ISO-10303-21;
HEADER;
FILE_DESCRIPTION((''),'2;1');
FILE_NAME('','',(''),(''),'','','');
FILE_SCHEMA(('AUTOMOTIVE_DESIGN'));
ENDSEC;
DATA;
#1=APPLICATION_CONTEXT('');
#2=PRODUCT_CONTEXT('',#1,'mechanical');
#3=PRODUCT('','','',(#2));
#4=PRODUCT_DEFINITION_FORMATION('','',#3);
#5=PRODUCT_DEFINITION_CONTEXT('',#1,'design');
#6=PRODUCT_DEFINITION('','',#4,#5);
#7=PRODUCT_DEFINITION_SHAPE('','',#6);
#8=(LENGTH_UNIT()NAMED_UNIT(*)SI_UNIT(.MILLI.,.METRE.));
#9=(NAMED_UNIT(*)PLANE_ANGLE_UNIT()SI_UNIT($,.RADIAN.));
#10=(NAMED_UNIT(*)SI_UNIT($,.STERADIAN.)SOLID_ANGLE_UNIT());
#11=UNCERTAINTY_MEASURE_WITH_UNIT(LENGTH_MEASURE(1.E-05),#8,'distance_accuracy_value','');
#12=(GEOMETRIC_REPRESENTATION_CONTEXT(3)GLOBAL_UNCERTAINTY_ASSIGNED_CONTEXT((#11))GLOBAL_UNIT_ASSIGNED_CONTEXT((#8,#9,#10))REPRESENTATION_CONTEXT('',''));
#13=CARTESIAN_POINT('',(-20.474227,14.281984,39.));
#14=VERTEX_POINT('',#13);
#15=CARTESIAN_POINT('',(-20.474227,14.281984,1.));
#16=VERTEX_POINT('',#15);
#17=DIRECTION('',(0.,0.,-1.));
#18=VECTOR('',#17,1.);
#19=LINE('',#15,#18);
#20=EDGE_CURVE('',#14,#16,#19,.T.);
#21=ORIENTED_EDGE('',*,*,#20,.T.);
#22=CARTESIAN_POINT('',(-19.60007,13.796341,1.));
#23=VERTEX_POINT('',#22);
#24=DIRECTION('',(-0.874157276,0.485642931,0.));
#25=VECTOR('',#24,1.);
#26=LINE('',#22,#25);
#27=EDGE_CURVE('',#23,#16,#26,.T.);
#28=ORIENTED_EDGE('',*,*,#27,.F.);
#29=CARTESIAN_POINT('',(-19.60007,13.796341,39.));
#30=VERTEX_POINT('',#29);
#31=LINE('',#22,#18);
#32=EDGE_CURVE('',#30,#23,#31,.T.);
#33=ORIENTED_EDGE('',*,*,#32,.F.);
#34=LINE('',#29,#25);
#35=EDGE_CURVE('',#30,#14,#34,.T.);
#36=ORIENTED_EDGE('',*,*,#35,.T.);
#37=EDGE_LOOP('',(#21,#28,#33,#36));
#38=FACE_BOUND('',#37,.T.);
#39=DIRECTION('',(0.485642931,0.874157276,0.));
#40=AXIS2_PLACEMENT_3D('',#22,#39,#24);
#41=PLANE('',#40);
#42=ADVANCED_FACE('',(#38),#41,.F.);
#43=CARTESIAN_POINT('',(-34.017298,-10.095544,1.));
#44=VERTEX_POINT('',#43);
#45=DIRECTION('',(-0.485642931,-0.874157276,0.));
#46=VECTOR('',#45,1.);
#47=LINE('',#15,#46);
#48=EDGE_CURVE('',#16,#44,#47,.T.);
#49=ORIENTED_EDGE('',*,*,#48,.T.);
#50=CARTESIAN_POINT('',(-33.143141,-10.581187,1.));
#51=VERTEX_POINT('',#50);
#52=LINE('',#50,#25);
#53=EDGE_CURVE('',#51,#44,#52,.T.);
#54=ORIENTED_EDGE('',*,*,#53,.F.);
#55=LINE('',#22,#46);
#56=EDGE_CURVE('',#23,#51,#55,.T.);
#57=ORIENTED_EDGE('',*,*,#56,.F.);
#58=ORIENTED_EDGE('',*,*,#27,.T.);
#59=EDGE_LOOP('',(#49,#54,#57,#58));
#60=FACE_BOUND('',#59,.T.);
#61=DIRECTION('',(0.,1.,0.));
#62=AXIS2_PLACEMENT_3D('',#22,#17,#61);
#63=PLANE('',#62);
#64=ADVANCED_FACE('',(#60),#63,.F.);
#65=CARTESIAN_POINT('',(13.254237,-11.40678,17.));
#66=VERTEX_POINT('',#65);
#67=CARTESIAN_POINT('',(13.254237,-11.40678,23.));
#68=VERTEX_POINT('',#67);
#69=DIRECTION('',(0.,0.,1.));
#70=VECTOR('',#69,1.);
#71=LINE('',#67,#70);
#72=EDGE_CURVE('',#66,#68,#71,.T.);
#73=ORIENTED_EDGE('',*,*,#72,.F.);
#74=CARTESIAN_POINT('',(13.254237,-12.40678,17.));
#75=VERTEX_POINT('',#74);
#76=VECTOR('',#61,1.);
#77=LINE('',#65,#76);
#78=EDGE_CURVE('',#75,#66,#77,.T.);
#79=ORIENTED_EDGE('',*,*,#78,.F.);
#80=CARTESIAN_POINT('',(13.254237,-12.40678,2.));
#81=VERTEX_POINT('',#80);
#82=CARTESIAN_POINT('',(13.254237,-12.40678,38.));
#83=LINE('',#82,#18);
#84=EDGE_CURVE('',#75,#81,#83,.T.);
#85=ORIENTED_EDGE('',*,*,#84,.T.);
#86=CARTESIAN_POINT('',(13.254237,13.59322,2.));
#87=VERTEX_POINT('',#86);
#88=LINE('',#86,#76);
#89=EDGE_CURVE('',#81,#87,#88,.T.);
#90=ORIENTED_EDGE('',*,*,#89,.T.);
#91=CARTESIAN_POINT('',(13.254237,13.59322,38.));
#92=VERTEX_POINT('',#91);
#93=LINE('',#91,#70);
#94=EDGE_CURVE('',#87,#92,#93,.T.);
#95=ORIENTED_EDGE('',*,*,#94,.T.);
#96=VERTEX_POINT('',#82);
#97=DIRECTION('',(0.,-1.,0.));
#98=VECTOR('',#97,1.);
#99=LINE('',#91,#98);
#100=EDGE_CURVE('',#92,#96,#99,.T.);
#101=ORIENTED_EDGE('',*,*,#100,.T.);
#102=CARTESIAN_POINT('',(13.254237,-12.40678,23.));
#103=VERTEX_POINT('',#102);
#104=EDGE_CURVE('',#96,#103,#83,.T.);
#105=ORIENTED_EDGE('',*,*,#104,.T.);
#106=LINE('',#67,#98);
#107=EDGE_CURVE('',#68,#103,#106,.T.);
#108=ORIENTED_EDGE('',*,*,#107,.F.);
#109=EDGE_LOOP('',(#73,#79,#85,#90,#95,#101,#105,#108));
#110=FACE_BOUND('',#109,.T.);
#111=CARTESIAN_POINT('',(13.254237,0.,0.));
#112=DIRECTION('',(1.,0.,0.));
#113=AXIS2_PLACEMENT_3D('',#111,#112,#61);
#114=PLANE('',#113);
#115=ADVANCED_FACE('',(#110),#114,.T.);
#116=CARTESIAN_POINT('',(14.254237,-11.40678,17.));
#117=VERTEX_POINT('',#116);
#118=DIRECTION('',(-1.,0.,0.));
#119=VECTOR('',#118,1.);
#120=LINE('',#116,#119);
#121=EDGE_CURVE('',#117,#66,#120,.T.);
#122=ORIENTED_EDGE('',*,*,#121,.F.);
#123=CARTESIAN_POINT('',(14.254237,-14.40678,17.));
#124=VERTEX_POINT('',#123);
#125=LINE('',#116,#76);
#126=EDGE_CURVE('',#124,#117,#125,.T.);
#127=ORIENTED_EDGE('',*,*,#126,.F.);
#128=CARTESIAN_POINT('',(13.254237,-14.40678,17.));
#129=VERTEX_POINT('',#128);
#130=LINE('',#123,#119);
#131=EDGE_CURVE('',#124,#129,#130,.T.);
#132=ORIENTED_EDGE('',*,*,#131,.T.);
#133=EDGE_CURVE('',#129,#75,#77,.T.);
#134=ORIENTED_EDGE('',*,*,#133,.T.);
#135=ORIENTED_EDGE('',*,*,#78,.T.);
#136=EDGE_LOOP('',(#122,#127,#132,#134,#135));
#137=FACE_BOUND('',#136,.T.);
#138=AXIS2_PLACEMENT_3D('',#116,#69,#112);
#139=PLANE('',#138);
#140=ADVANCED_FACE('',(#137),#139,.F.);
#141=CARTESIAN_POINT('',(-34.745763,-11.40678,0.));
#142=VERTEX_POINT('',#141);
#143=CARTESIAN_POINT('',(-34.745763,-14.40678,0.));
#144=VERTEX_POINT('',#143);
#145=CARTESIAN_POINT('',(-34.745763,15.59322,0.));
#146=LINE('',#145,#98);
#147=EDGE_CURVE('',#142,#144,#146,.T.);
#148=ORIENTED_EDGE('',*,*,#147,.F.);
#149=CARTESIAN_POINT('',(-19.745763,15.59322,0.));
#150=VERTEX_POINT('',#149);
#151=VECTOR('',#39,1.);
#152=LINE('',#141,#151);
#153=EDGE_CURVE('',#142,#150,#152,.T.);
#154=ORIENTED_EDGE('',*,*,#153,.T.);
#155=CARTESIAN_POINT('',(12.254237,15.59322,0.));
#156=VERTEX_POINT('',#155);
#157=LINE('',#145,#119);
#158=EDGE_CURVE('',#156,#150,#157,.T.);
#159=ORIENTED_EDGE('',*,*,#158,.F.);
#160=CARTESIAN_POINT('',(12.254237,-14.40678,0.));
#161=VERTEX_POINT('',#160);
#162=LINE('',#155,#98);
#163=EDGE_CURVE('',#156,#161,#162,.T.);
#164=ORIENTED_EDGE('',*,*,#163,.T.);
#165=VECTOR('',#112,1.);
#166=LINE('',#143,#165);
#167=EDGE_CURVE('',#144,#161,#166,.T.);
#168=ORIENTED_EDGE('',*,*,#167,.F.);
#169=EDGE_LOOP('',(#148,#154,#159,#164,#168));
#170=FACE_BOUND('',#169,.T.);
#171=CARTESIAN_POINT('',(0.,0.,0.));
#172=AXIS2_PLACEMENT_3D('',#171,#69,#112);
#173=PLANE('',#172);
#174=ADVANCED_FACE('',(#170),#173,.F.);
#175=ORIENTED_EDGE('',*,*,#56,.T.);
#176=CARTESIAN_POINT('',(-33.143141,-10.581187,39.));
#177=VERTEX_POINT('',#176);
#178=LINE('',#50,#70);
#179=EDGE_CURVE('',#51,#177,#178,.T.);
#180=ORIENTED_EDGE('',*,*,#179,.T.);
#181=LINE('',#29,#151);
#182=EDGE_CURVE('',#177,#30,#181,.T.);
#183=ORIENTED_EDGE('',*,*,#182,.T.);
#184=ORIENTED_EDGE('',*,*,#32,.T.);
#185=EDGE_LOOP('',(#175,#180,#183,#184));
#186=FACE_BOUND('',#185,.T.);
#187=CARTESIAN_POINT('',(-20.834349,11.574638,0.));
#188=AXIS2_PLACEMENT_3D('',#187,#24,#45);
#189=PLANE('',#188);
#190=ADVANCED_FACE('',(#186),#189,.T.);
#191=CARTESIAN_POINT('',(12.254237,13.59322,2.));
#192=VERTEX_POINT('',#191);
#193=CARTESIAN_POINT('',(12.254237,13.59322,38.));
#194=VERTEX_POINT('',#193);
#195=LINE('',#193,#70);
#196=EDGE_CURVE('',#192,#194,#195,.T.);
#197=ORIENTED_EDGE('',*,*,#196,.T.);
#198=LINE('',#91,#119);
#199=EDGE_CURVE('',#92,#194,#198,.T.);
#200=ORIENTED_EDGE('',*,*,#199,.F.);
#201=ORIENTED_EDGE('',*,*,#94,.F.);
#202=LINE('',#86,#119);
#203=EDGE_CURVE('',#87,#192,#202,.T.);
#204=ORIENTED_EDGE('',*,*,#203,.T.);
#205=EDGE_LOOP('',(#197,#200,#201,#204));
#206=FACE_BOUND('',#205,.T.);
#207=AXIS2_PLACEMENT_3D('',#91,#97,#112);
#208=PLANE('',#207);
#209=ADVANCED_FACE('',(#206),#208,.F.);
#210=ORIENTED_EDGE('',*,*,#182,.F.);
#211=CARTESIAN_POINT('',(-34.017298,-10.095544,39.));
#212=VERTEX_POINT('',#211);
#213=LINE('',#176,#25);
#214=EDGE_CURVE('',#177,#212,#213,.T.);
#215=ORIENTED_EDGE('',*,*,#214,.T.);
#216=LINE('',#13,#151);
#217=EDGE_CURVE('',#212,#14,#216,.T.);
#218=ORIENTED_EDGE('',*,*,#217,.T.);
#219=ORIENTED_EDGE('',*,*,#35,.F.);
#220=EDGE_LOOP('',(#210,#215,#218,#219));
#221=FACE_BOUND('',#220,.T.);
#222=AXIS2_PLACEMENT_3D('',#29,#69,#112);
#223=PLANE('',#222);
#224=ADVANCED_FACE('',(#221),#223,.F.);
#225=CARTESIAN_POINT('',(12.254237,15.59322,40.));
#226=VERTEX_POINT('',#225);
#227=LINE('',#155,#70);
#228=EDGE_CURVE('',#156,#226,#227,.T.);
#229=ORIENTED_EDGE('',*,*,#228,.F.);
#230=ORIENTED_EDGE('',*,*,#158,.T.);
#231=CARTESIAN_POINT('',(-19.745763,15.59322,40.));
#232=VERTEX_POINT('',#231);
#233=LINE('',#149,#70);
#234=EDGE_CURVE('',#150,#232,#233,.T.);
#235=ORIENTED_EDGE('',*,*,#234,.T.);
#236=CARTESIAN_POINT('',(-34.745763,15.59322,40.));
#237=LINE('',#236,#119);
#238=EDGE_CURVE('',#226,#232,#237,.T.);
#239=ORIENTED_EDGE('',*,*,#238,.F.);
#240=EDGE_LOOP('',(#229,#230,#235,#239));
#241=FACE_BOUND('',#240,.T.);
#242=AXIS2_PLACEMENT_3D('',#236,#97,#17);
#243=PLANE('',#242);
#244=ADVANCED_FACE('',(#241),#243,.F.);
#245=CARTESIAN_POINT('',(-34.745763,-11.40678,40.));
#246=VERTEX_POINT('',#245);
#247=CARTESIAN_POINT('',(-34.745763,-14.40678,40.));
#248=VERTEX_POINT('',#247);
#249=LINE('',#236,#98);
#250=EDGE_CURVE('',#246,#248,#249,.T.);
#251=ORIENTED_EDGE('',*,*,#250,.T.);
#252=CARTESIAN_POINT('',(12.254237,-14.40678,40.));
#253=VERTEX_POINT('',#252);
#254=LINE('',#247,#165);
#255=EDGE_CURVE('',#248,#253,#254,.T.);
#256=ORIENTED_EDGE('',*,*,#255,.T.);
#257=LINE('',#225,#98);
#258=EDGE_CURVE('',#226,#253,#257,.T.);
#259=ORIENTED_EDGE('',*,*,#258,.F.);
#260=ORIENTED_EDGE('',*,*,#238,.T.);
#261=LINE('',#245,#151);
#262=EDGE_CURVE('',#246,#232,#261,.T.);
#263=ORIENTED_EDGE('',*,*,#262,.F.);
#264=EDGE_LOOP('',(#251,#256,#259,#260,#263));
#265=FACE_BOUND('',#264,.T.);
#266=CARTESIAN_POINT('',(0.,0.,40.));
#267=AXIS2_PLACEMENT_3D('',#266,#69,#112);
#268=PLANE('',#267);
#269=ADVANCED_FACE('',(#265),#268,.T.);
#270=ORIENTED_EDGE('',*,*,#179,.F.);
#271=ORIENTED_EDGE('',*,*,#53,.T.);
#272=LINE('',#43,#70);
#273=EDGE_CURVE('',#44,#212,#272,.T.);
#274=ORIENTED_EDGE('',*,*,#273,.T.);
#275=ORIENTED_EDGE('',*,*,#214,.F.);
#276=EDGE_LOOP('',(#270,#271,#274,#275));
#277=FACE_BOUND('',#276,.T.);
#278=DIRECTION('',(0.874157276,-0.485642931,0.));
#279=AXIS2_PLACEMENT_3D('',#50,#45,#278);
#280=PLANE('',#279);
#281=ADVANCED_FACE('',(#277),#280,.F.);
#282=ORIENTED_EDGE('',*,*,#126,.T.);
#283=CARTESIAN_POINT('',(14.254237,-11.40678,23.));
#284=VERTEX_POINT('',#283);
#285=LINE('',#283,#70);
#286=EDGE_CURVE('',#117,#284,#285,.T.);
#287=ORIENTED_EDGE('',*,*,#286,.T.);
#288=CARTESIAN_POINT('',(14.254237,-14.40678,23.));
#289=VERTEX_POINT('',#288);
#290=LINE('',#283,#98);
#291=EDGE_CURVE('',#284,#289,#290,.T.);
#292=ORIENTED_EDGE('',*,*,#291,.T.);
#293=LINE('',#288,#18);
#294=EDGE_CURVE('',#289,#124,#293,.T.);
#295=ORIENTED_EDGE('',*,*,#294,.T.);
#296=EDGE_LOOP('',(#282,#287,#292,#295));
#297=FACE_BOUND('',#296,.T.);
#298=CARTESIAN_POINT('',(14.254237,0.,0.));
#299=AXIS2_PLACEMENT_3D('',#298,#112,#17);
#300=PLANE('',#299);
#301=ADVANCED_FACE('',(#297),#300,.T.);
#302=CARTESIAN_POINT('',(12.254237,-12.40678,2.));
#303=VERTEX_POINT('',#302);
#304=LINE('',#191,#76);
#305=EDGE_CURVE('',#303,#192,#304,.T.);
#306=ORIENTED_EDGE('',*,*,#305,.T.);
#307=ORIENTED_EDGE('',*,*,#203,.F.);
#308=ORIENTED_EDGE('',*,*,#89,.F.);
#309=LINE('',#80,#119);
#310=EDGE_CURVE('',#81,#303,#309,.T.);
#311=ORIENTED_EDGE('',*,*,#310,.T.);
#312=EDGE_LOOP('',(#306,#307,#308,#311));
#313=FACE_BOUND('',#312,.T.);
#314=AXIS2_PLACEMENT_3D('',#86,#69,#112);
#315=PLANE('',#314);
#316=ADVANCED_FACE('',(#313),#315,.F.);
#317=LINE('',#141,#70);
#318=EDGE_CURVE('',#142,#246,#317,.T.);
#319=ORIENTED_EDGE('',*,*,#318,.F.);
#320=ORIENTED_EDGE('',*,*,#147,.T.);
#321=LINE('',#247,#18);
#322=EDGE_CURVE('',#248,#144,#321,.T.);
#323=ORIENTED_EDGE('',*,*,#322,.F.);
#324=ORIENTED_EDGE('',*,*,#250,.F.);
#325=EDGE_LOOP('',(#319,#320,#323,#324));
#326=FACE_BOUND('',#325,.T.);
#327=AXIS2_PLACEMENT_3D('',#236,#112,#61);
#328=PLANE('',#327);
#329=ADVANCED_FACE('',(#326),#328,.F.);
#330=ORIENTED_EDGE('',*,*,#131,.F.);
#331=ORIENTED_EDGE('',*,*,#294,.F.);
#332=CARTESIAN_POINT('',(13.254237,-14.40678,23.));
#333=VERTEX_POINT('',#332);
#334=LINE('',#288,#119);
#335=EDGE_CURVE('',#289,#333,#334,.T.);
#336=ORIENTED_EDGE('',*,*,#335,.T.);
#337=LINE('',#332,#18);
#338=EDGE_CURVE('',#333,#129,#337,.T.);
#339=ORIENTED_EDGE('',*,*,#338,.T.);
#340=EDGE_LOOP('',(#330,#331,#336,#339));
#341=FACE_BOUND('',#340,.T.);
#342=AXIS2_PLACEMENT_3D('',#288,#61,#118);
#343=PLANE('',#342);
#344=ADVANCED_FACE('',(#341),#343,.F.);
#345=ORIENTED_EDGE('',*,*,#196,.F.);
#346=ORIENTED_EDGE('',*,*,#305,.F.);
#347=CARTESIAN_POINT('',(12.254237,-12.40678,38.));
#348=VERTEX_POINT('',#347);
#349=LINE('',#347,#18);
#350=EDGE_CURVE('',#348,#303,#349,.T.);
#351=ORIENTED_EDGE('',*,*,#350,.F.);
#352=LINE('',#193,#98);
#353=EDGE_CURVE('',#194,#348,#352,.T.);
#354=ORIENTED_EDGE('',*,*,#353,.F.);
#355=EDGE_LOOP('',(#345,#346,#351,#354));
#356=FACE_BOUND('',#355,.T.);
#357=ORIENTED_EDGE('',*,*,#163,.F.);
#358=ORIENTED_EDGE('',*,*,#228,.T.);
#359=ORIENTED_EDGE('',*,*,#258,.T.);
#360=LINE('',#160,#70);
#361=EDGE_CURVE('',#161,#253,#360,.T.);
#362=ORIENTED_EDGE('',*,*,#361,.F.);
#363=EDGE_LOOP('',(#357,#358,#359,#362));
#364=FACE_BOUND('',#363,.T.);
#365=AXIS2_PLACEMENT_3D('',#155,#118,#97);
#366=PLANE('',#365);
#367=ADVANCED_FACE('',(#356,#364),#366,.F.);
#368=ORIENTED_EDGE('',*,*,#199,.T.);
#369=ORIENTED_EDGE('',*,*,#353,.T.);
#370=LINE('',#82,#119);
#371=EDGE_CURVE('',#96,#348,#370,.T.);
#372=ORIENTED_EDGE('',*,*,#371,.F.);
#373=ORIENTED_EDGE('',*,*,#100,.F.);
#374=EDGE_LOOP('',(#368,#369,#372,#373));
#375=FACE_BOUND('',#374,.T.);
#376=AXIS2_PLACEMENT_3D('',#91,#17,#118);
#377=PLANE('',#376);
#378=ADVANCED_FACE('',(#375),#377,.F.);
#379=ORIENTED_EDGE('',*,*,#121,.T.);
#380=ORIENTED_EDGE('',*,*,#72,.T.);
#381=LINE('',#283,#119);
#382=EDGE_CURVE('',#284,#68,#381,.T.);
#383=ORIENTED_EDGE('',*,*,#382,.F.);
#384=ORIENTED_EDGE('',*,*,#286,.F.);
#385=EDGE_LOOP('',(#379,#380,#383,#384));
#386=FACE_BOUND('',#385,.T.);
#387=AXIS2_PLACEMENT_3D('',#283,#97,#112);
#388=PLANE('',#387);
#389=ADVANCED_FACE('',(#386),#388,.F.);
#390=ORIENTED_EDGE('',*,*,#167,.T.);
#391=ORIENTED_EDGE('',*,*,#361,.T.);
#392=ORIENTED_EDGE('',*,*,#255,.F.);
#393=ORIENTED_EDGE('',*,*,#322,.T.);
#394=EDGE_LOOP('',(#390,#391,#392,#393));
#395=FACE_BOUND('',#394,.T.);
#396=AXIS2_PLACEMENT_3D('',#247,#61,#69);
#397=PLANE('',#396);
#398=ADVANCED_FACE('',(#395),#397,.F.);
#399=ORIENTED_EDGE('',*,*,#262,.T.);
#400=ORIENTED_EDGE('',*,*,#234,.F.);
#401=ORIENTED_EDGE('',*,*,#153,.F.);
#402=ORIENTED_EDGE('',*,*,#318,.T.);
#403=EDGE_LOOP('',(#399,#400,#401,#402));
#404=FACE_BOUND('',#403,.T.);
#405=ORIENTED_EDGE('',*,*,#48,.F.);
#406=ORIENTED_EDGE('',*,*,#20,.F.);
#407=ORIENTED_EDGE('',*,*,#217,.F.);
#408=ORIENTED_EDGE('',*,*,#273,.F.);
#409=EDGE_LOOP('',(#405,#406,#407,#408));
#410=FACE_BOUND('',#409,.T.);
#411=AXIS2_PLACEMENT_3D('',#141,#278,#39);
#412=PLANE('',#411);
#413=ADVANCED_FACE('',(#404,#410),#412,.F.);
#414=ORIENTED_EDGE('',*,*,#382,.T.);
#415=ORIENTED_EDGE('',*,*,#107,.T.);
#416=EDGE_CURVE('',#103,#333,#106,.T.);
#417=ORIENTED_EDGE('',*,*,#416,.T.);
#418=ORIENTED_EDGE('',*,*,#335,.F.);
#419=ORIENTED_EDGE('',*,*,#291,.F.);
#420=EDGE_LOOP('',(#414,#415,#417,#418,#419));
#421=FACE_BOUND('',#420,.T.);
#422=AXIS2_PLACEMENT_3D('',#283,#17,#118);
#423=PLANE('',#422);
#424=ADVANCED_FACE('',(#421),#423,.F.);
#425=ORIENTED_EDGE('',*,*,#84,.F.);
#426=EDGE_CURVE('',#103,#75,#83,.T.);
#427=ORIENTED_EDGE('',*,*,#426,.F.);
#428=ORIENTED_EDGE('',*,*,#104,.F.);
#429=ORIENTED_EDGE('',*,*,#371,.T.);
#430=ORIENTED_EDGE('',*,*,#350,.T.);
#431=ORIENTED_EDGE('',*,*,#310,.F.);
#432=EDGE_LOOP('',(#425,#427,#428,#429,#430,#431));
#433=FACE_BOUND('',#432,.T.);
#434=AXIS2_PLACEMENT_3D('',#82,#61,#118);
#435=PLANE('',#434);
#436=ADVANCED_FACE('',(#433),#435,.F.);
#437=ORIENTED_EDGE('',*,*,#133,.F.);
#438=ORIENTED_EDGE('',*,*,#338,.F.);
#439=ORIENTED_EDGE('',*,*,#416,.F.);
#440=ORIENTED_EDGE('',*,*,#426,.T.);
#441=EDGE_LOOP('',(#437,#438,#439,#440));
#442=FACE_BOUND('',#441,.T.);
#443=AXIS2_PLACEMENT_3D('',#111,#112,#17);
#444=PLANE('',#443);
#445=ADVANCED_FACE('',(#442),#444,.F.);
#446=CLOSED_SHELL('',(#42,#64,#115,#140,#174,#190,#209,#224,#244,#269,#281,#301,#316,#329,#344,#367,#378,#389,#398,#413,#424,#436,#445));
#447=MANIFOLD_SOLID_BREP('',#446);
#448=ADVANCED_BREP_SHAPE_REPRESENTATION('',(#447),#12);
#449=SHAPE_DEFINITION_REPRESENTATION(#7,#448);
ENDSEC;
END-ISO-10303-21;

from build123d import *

# Parameters (mm, degrees)
SKETCH1_W           = 50
SKETCH1_H           = 30
BOSS_EXTRUDE1_DEPTH = 40
CUT_EXTRUDE15_DEPTH = 40
SKETCH33_W          = 38
SKETCH33_H          = 27.886890423
CUT_EXTRUDE16_DEPTH = 1
SKETCH36_W          = 3
SKETCH36_H          = 30
CUT_EXTRUDE17_DEPTH = 40
SKETCH37_W          = 36
SKETCH37_H          = 26
BOSS_EXTRUDE5_DEPTH = 1
SKETCH38_W          = 6
SKETCH38_H          = 3
BOSS_EXTRUDE6_DEPTH = 1


with BuildPart() as part:
    # Sketch1 → Boss-Extrude1 (new body)
    with BuildSketch(Plane.XY):
        with Locations((-9.745762712, 0.593220339)):
            Rectangle(SKETCH1_W, SKETCH1_H)
    extrude(amount=BOSS_EXTRUDE1_DEPTH)

    # Sketch29 → Cut-Extrude15 (cut)
    with BuildSketch(Plane.XY.offset(40)):
        Polygon((-34.745762712, -11.406779661), (-19.745762712, 15.593220339), (-34.745762712, 15.593220339), align=None)
    extrude(amount=-CUT_EXTRUDE15_DEPTH, mode=Mode.SUBTRACT)

    # Sketch33 → Cut-Extrude16 (cut)
    with BuildSketch(Plane(origin=(-21.708506556, 12.06028142, 0), x_dir=(0, 0, 1), z_dir=(-0.874157276, 0.485642931, 0))):
        with Locations((20, -11.401908276)):
            Rectangle(SKETCH33_W, SKETCH33_H)
    extrude(amount=-CUT_EXTRUDE16_DEPTH, mode=Mode.SUBTRACT)

    # Sketch36 → Cut-Extrude17 (cut)
    with BuildSketch(Plane.XY.offset(40)):
        with Locations((13.754237288, 0.593220339)):
            Rectangle(SKETCH36_W, SKETCH36_H)
    extrude(amount=-CUT_EXTRUDE17_DEPTH, mode=Mode.SUBTRACT)

    # Sketch37 → Boss-Extrude5 (add)
    with BuildSketch(Plane(origin=(12.254237288, 0, 0), x_dir=(0, 0, -1), z_dir=(1, 0, 0))):
        with Locations((-20, 0.593220339)):
            Rectangle(SKETCH37_W, SKETCH37_H)
    extrude(amount=BOSS_EXTRUDE5_DEPTH)

    # Sketch38 → Boss-Extrude6 (add)
    with BuildSketch(Plane(origin=(13.254237288, 0, 0), x_dir=(0, 0, -1), z_dir=(1, 0, 0))):
        with Locations((-20, -12.906779661)):
            Rectangle(SKETCH38_W, SKETCH38_H)
    extrude(amount=BOSS_EXTRUDE6_DEPTH)


solid = part.part
